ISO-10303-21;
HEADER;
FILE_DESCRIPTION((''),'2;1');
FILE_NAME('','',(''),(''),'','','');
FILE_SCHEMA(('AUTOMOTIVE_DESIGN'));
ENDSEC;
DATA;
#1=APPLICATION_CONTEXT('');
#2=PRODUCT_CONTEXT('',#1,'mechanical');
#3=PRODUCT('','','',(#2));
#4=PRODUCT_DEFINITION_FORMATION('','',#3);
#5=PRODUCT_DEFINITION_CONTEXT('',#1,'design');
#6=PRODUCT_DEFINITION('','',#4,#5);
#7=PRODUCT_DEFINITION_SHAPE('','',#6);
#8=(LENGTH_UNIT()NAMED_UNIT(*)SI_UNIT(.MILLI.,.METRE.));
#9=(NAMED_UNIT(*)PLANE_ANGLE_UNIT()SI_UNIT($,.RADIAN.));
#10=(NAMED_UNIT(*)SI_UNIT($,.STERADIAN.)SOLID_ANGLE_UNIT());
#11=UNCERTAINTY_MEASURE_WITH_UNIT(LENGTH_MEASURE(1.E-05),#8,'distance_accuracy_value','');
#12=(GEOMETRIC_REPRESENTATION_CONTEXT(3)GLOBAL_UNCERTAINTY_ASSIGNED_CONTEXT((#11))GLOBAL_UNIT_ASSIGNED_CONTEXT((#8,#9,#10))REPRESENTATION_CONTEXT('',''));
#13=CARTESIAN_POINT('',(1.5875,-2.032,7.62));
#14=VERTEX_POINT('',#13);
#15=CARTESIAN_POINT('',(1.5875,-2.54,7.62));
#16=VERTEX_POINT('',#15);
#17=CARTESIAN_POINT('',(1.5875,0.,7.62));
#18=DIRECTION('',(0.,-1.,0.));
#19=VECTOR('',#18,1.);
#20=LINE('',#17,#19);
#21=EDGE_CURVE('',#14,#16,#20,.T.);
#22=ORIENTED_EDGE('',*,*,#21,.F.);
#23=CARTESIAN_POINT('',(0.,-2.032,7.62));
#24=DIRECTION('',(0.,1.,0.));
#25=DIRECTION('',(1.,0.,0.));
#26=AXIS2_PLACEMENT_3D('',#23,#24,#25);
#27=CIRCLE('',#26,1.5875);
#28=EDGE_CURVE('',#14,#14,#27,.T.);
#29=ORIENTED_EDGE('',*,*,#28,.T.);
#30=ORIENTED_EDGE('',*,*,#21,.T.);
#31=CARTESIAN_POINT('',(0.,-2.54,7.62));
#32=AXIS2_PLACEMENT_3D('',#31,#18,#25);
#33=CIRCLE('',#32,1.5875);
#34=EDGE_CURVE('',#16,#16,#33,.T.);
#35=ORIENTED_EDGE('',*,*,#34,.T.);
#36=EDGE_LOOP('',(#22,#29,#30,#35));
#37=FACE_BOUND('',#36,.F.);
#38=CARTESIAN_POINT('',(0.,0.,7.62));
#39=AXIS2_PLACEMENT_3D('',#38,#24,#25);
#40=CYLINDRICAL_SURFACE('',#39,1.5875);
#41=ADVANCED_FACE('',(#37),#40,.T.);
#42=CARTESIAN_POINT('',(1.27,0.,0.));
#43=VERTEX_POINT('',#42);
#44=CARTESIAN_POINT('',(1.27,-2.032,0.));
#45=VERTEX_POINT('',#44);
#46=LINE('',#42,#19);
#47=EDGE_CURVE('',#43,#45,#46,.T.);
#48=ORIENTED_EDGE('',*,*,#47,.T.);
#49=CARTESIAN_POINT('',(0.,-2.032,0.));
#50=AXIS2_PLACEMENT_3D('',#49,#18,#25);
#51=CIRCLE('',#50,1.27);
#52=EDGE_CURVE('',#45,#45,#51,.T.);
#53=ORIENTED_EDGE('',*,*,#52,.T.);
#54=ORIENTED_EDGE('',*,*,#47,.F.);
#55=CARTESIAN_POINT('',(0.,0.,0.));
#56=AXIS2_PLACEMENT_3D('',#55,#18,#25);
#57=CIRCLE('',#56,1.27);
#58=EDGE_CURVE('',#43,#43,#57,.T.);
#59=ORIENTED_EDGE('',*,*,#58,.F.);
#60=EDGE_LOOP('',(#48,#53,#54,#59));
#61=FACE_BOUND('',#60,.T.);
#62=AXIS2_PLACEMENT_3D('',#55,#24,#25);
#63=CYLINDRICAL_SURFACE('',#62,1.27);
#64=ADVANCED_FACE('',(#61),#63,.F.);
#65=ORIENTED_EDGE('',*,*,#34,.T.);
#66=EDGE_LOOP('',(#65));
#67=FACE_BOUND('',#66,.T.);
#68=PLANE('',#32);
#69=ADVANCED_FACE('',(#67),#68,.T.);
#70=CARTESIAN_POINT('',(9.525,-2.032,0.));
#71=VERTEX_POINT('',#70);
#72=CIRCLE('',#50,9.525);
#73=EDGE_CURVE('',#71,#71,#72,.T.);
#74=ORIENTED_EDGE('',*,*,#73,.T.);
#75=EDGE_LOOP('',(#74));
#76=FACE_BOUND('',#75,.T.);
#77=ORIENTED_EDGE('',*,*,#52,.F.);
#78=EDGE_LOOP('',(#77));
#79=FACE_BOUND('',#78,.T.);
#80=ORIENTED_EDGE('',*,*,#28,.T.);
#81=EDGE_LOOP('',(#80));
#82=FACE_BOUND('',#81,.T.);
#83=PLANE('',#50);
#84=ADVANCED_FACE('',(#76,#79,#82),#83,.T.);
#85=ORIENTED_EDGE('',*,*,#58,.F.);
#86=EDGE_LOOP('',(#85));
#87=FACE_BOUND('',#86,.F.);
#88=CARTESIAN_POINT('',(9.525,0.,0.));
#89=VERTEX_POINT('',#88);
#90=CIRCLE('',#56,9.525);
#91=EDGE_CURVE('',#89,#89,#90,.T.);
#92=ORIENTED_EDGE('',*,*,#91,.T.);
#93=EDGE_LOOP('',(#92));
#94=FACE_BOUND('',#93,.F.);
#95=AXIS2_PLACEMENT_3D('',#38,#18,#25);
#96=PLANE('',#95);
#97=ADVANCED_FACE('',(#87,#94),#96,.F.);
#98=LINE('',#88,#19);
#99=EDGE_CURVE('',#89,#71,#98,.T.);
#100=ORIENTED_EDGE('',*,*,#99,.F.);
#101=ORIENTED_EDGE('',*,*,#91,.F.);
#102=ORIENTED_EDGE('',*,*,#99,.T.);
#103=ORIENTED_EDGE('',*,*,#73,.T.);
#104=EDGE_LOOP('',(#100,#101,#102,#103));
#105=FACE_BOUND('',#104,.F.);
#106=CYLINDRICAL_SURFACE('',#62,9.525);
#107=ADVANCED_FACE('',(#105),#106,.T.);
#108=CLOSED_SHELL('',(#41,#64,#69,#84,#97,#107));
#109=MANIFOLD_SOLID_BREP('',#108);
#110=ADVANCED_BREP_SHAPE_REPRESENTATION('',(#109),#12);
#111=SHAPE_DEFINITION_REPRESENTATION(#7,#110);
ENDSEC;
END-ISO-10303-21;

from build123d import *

# Parameters (mm, degrees)
F1_R     = 9.525
F1_R_2   = 1.27
F2_DEPTH = 2.032
F0_R     = 1.5875
F3_DEPTH = 2.54


with BuildPart() as f2:
    # F1 (on Front) → F2 (new body)
    with BuildSketch(Plane.XZ):
        Circle(F1_R)
        Circle(F1_R_2, mode=Mode.SUBTRACT)
    extrude(amount=F2_DEPTH)

    # F0 (on Front) → F3 (join)
    with BuildSketch(Plane.XZ):
        with Locations((0, 7.62)):
            Circle(F0_R)
    extrude(amount=F3_DEPTH)


solid = f2.part
